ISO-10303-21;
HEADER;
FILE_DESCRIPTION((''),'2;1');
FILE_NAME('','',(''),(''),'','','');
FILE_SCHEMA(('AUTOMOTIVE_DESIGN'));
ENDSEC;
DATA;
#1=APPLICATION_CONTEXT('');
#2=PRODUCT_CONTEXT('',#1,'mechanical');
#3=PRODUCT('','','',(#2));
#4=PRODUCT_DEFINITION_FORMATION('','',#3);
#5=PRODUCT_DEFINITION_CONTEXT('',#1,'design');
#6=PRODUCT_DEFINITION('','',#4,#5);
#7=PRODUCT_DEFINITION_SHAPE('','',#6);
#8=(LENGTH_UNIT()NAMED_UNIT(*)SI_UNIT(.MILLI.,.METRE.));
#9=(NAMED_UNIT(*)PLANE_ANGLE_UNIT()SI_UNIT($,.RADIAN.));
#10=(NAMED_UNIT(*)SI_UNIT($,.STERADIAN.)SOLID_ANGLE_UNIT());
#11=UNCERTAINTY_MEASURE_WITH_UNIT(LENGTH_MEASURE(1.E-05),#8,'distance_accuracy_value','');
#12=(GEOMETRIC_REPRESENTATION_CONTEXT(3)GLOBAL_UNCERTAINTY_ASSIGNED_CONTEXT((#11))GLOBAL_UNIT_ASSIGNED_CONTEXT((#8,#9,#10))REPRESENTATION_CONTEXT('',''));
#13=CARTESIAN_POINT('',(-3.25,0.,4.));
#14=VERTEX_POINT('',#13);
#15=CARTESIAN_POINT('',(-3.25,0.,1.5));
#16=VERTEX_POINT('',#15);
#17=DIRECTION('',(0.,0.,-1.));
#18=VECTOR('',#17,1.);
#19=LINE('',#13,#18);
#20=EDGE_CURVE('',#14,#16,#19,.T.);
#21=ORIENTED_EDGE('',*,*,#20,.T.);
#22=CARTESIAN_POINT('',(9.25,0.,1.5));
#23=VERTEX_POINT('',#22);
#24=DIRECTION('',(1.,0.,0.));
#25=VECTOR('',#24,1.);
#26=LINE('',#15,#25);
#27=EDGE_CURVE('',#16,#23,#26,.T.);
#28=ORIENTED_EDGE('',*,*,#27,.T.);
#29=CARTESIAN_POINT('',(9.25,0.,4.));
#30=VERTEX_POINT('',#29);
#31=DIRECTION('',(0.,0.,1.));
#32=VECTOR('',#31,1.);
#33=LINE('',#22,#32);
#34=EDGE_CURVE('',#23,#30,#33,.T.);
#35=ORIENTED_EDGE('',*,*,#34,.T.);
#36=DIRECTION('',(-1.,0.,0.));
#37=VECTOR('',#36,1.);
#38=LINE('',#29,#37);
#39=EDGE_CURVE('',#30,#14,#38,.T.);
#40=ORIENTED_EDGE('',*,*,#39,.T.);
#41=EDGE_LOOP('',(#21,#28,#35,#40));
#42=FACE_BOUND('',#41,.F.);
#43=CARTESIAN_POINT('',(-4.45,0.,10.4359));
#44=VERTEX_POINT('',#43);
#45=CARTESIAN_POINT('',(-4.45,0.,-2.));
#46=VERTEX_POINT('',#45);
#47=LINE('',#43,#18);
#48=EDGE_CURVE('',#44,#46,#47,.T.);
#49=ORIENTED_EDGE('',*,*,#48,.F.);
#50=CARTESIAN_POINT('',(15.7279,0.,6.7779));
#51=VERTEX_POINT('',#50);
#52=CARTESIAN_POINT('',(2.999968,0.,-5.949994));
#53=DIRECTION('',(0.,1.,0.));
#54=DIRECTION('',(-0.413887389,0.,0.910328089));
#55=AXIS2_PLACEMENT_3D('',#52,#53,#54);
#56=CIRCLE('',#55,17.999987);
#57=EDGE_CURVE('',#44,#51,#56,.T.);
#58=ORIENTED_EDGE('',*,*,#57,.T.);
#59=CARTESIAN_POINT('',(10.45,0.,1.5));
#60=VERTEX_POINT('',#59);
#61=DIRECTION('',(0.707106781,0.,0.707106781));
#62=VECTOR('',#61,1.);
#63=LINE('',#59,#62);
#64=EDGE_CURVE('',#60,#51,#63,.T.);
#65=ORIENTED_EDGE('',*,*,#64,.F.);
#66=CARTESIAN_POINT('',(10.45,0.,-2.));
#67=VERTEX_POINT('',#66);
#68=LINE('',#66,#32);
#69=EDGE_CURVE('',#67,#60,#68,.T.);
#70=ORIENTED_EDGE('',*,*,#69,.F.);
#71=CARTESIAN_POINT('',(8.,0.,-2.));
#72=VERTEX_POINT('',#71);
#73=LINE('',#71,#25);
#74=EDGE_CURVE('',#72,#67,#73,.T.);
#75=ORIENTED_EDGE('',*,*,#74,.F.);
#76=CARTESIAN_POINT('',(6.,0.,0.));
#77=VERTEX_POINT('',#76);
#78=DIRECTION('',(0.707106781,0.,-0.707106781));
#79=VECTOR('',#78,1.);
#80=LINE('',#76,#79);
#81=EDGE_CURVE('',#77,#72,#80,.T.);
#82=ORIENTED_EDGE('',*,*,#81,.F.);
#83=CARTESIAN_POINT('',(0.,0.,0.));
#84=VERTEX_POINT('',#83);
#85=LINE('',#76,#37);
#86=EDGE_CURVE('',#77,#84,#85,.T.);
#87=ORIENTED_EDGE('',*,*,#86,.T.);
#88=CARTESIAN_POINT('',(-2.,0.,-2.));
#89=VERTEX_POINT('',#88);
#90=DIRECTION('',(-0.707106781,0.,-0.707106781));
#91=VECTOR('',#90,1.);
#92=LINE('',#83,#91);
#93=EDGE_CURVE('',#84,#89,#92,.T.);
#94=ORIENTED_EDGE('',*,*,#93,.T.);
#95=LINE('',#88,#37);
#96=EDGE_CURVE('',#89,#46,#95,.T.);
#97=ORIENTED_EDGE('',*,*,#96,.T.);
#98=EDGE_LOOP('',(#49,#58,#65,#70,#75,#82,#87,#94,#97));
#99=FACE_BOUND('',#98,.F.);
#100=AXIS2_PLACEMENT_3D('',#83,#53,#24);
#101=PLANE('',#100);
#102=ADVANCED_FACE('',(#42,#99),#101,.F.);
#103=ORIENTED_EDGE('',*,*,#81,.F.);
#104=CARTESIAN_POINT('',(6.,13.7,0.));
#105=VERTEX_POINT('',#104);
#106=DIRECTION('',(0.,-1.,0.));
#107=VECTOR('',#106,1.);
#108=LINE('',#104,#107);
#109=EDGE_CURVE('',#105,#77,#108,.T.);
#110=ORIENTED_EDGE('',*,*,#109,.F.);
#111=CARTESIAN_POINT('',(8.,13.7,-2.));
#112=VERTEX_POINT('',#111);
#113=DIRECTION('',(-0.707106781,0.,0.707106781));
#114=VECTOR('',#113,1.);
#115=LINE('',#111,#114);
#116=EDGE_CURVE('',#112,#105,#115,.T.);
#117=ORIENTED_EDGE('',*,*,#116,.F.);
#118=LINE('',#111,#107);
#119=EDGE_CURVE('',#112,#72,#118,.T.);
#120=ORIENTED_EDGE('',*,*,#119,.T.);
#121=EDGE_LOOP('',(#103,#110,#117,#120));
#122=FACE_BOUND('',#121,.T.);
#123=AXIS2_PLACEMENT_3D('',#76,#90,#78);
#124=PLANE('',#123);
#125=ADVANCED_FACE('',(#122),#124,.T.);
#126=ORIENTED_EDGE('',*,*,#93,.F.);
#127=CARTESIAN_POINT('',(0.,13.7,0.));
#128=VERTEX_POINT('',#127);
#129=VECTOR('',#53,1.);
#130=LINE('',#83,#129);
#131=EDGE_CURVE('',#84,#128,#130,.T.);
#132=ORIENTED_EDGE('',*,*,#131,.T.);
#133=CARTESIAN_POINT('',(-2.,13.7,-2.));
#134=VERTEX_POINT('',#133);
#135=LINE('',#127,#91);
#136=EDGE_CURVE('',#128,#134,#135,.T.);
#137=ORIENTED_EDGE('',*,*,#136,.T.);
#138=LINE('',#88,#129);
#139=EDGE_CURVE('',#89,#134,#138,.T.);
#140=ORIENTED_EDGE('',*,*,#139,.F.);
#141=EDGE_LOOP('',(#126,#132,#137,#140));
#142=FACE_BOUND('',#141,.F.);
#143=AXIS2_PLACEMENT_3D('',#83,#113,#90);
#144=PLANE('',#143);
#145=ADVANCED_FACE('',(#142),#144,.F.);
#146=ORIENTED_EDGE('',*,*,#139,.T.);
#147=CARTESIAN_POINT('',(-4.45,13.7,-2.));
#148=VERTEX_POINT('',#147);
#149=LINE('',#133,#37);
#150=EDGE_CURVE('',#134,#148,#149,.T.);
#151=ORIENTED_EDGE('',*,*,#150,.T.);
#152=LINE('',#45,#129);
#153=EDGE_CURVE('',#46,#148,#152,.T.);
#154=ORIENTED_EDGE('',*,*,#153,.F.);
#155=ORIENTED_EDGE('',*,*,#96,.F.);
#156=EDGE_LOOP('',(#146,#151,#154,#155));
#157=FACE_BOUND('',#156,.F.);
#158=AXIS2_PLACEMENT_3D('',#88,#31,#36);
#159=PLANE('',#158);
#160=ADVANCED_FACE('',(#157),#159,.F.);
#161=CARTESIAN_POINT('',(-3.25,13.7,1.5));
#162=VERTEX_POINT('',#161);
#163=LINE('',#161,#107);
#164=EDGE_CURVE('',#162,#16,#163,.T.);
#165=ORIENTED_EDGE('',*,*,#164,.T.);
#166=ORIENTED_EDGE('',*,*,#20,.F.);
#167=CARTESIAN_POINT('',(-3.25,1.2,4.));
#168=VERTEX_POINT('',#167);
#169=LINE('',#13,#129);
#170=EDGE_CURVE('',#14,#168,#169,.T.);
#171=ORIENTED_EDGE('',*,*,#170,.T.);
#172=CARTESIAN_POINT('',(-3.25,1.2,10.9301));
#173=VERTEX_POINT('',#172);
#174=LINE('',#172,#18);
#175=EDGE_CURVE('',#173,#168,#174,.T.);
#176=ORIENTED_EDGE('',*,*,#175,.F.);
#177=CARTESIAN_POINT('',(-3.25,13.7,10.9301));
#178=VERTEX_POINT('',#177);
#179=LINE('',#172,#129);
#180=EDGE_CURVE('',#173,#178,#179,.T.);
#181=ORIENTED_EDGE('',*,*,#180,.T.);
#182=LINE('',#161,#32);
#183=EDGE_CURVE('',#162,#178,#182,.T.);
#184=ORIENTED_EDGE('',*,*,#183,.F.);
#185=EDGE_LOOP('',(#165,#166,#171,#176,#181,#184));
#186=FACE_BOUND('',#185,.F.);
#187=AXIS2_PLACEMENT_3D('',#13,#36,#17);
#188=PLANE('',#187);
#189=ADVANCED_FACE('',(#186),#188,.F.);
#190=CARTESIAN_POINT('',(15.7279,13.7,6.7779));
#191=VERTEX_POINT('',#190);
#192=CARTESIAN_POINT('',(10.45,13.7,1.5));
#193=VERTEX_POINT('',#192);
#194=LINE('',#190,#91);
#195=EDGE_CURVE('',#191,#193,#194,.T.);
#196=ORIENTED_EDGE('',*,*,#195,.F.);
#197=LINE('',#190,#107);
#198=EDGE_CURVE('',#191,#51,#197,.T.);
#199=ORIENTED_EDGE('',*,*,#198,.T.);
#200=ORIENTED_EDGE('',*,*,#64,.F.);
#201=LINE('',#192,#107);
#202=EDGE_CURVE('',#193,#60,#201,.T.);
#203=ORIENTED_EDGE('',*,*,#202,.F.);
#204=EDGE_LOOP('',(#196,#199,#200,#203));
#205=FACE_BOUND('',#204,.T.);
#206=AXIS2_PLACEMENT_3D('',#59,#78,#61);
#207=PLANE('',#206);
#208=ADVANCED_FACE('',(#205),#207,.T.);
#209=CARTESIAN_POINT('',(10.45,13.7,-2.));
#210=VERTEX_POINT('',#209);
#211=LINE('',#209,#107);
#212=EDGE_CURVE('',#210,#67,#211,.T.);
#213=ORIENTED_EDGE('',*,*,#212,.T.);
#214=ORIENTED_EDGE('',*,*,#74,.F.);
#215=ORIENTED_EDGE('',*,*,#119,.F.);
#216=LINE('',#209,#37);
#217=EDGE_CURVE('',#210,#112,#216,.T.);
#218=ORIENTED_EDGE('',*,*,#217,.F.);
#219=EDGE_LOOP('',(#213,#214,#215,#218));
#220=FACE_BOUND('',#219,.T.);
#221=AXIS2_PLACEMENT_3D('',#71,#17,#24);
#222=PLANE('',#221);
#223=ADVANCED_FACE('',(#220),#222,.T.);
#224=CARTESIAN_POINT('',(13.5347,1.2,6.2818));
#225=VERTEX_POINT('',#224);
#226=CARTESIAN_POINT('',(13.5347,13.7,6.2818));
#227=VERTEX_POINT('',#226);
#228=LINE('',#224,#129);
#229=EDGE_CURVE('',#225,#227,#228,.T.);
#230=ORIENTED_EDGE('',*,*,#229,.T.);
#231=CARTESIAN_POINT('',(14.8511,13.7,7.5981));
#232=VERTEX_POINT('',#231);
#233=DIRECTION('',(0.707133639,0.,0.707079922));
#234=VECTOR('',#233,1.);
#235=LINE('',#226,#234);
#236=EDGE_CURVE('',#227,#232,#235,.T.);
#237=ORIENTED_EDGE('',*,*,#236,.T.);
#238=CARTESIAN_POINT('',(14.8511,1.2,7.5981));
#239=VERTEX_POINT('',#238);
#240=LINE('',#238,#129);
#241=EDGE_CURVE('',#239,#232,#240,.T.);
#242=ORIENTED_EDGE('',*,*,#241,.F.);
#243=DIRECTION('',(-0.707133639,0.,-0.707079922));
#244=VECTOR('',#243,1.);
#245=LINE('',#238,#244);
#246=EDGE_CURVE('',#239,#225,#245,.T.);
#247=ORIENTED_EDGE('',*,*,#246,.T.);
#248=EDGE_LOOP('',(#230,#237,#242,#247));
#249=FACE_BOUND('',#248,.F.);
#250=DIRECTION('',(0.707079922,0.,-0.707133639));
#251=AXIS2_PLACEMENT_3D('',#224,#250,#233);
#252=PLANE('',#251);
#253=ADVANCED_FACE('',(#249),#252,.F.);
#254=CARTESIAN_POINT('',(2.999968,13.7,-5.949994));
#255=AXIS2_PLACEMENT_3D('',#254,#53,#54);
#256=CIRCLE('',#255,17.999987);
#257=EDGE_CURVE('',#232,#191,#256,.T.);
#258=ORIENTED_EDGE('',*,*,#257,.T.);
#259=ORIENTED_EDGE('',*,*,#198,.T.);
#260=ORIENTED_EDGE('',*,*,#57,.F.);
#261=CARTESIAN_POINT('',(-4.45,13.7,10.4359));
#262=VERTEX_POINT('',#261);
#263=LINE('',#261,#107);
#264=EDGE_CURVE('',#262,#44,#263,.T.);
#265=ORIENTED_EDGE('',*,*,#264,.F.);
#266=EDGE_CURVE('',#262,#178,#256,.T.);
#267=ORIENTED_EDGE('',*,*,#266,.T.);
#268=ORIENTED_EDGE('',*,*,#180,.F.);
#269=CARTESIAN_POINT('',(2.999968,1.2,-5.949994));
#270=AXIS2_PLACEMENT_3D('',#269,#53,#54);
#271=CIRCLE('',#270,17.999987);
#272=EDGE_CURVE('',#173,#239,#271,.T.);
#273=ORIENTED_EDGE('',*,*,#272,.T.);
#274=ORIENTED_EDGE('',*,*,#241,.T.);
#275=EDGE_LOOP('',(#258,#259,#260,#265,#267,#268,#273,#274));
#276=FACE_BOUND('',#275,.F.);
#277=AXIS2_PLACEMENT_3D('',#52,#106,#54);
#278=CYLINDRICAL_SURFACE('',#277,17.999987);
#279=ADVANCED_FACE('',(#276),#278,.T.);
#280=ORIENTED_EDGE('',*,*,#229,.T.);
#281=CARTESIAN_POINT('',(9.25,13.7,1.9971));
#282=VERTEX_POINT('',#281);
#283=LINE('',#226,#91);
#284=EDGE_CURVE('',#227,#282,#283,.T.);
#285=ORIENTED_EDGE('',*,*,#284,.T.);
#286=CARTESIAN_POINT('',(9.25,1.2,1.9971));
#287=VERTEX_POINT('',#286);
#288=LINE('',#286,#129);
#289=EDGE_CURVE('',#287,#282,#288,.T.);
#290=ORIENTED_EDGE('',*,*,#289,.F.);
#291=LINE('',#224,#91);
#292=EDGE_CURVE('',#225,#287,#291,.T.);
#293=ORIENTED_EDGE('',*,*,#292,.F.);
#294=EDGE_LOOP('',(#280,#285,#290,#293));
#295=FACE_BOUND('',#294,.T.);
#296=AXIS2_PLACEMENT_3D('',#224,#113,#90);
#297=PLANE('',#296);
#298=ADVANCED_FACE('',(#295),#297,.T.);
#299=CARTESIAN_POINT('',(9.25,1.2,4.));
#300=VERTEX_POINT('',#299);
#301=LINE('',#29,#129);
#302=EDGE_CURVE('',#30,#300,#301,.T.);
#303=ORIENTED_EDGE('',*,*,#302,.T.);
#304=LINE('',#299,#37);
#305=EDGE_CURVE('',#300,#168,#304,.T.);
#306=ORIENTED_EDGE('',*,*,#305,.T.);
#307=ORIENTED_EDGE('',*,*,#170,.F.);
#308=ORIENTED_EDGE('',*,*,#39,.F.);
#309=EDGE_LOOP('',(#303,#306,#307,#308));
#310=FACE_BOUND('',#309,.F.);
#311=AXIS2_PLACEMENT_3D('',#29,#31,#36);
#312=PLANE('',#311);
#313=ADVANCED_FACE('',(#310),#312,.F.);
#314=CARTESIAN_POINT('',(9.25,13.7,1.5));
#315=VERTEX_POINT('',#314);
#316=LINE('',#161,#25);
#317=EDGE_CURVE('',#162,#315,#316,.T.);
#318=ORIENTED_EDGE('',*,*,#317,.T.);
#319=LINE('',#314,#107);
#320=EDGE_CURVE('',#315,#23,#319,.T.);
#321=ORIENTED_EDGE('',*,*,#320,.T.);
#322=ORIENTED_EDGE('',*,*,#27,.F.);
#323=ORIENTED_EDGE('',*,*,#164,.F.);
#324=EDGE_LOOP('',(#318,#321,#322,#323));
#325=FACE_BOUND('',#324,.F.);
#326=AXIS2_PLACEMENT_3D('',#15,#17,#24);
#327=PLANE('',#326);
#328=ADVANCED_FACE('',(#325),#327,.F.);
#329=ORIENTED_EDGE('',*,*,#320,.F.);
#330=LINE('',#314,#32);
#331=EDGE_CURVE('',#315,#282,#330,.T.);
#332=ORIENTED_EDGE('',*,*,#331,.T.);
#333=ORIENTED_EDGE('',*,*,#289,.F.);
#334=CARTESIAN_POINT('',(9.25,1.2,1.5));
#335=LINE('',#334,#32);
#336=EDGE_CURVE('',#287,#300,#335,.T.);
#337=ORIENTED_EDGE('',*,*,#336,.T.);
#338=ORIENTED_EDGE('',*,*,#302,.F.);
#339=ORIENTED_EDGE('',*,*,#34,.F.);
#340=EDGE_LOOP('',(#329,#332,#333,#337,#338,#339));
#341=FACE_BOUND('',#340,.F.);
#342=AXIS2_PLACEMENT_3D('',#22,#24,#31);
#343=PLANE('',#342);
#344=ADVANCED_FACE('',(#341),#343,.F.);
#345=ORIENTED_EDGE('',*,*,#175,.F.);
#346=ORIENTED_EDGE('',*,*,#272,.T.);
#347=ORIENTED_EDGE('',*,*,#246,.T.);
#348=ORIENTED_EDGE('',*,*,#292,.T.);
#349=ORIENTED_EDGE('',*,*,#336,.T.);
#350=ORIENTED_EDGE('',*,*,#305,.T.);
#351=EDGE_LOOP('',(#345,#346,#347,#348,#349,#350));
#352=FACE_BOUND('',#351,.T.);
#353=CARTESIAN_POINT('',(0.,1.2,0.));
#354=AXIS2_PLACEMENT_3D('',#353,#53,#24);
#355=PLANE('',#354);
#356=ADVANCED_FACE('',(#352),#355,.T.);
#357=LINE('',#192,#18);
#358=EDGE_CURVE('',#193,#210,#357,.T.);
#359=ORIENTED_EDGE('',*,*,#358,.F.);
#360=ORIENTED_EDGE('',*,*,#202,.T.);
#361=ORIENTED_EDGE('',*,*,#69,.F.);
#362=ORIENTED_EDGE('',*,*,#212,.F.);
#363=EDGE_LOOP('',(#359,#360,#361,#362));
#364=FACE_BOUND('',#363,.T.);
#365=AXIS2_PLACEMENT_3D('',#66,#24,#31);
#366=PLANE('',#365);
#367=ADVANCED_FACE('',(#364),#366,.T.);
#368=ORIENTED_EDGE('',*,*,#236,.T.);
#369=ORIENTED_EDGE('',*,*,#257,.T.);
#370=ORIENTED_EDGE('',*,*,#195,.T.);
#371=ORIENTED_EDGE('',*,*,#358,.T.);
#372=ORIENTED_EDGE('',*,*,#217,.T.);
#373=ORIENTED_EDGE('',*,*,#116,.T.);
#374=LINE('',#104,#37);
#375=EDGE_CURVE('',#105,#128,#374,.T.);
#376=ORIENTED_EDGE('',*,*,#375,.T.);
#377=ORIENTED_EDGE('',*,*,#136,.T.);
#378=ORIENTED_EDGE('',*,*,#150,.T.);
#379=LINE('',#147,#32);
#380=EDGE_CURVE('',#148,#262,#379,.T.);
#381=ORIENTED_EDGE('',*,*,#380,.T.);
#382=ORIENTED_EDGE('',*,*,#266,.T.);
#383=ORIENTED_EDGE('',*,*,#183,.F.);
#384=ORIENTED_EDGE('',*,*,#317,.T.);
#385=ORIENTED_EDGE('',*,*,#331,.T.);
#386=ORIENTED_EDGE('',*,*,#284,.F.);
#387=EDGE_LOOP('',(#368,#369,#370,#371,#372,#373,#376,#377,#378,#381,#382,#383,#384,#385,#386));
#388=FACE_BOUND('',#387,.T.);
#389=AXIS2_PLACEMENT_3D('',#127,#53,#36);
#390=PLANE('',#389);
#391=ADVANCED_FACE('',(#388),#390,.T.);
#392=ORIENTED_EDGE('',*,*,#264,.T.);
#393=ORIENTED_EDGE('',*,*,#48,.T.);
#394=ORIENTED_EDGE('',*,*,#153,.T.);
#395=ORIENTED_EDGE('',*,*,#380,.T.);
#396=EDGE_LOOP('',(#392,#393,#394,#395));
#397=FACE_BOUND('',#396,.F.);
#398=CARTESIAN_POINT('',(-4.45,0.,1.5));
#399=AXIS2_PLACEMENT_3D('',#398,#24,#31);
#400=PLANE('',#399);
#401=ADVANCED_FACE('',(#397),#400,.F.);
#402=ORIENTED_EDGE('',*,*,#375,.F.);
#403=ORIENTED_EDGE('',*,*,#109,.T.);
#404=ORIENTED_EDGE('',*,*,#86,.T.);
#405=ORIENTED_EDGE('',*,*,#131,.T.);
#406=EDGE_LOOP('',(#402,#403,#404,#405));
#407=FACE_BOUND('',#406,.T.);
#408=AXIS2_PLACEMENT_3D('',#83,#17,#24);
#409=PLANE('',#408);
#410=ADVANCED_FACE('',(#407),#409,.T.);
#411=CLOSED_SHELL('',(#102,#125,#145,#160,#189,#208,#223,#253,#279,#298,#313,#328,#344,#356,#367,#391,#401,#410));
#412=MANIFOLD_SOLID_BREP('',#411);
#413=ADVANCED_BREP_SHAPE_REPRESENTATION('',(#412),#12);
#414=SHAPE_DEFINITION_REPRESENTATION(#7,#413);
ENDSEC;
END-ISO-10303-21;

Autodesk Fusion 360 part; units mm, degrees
sketch "Sketch1" plane through (0, 0, 0) normal (0, 1, 0) x (1, 0, 0)
  line L0 (0, 0) -> (3, 0)
  line L1 (3, 0) -> (3, -16.2727) construction
  line L2 (9.25, -4) -> (-3.25, -4)
  line L3 (-3.25, -4) -> (-3.25, -1.5)
  line L4 (-3.25, -1.5) -> (9.25, -1.5)
  line L5 (9.25, -1.5) -> (9.25, -4)
  line L6 (9.25, -4) -> (-3.25, -1.5) construction
  line L7 (-3.25, -4) -> (9.25, -1.5) construction
  line L8 (0, 0) -> (-2, 2)
  line L9 (-2, 2) -> (-4.45, 2)
  line L10 (-4.45, 2) -> (-4.45, -1.5)
  line L11 (6, 0) -> (3, 0)
  line L12 (6, 0) -> (8, 2)
  line L13 (8, 2) -> (10.45, 2)
  line L14 (10.45, 2) -> (10.45, -1.5)
  line L15 (10.45, -1.5) -> (15.7279, -6.7779)
  arc A0 (-4.45, -10.4359) -> (15.7279, -6.7779) centre (3, 5.95) ccw
  line L16 (-4.45, -1.5) -> (-4.45, -10.4359)
  point P0 (3, -2.75)
  dimension "d3" = 2.5
  dimension "d5" = 12.5
  dimension "d9" = 135
  dimension "d10" = 2
  dimension "d11" = 1.5
  dimension "d12" = 1.2
  dimension "d14" = 3
  dimension "d20" = 18
  dimension "d21" = 45
extrude "Extrude1" add sketch "Sketch1" along normal blind 1.2
sketch "Sketch2" plane through (0, 1.2, 0) normal (0, 1, 0) x (-1, 0, 0)
  line L0 (3.25, 1.5) -> (-9.25, 1.5)
  line L1 (-9.25, 1.5) -> (-9.25, 4)
  line L2 (-9.25, 4) -> (3.25, 4)
  line L3 (3.25, 4) -> (3.25, 1.5)
  line L4 (0, 0) -> (2, -2)
  line L5 (2, -2) -> (4.45, -2)
  line L6 (4.45, -2) -> (4.45, 10.4359)
  line L7 (-15.7279, 6.7779) -> (-10.45, 1.5)
  line L8 (-10.45, 1.5) -> (-10.45, -2)
  line L9 (-10.45, -2) -> (-8, -2)
  line L10 (-8, -2) -> (-6, 0)
  line L11 (-6, 0) -> (0, 0)
  line L12 (-13.5347, 6.2818) -> (-14.8511, 7.5981)
  line L13 (-9.25, 1.9971) -> (-9.25, 1.5)
  line L14 (-9.25, 1.5) -> (3.25, 1.5)
  line L15 (3.25, 1.5) -> (3.25, 1.9971)
  line L16 (-8.4971, -0.8) -> (-6.4971, 1.2) construction
  line L17 (-6.4971, 1.2) -> (0.4971, 1.2) construction
  line L18 (0.4971, 1.2) -> (2.4971, -0.8) construction
  line L19 (2.4971, -0.8) -> (3.25, -0.8)
  line L20 (3.25, -0.8) -> (3.25, 1.9971) construction
  line L21 (-13.5347, 6.2818) -> (-9.25, 1.9971)
  line L22 (-9.25, 1.9971) -> (-9.25, -0.8) construction
  line L23 (-9.25, -0.8) -> (-8.4971, -0.8)
  arc A0 (4.45, 10.4359) -> (-15.7279, 6.7779) centre (-3, -5.95) ccw
  arc A1 (3.9533, 9.3435) -> (-14.8794, 5.9294) centre (-3, -5.95) ccw
  line L24 (3.25, 1.5) -> (3.25, 10.9301)
  dimension "d22" = 1.2
  dimension "d24" = -1.2
extrude "Extrude2" add sketch "Sketch2" along normal blind 12.5 contours L0 L1 L3 L4 L5 L6 L7 L8 L9 L10 L11 L12 L13 L14 L15 L21 A0 A1 L24 | L7 L12 A0 A1
